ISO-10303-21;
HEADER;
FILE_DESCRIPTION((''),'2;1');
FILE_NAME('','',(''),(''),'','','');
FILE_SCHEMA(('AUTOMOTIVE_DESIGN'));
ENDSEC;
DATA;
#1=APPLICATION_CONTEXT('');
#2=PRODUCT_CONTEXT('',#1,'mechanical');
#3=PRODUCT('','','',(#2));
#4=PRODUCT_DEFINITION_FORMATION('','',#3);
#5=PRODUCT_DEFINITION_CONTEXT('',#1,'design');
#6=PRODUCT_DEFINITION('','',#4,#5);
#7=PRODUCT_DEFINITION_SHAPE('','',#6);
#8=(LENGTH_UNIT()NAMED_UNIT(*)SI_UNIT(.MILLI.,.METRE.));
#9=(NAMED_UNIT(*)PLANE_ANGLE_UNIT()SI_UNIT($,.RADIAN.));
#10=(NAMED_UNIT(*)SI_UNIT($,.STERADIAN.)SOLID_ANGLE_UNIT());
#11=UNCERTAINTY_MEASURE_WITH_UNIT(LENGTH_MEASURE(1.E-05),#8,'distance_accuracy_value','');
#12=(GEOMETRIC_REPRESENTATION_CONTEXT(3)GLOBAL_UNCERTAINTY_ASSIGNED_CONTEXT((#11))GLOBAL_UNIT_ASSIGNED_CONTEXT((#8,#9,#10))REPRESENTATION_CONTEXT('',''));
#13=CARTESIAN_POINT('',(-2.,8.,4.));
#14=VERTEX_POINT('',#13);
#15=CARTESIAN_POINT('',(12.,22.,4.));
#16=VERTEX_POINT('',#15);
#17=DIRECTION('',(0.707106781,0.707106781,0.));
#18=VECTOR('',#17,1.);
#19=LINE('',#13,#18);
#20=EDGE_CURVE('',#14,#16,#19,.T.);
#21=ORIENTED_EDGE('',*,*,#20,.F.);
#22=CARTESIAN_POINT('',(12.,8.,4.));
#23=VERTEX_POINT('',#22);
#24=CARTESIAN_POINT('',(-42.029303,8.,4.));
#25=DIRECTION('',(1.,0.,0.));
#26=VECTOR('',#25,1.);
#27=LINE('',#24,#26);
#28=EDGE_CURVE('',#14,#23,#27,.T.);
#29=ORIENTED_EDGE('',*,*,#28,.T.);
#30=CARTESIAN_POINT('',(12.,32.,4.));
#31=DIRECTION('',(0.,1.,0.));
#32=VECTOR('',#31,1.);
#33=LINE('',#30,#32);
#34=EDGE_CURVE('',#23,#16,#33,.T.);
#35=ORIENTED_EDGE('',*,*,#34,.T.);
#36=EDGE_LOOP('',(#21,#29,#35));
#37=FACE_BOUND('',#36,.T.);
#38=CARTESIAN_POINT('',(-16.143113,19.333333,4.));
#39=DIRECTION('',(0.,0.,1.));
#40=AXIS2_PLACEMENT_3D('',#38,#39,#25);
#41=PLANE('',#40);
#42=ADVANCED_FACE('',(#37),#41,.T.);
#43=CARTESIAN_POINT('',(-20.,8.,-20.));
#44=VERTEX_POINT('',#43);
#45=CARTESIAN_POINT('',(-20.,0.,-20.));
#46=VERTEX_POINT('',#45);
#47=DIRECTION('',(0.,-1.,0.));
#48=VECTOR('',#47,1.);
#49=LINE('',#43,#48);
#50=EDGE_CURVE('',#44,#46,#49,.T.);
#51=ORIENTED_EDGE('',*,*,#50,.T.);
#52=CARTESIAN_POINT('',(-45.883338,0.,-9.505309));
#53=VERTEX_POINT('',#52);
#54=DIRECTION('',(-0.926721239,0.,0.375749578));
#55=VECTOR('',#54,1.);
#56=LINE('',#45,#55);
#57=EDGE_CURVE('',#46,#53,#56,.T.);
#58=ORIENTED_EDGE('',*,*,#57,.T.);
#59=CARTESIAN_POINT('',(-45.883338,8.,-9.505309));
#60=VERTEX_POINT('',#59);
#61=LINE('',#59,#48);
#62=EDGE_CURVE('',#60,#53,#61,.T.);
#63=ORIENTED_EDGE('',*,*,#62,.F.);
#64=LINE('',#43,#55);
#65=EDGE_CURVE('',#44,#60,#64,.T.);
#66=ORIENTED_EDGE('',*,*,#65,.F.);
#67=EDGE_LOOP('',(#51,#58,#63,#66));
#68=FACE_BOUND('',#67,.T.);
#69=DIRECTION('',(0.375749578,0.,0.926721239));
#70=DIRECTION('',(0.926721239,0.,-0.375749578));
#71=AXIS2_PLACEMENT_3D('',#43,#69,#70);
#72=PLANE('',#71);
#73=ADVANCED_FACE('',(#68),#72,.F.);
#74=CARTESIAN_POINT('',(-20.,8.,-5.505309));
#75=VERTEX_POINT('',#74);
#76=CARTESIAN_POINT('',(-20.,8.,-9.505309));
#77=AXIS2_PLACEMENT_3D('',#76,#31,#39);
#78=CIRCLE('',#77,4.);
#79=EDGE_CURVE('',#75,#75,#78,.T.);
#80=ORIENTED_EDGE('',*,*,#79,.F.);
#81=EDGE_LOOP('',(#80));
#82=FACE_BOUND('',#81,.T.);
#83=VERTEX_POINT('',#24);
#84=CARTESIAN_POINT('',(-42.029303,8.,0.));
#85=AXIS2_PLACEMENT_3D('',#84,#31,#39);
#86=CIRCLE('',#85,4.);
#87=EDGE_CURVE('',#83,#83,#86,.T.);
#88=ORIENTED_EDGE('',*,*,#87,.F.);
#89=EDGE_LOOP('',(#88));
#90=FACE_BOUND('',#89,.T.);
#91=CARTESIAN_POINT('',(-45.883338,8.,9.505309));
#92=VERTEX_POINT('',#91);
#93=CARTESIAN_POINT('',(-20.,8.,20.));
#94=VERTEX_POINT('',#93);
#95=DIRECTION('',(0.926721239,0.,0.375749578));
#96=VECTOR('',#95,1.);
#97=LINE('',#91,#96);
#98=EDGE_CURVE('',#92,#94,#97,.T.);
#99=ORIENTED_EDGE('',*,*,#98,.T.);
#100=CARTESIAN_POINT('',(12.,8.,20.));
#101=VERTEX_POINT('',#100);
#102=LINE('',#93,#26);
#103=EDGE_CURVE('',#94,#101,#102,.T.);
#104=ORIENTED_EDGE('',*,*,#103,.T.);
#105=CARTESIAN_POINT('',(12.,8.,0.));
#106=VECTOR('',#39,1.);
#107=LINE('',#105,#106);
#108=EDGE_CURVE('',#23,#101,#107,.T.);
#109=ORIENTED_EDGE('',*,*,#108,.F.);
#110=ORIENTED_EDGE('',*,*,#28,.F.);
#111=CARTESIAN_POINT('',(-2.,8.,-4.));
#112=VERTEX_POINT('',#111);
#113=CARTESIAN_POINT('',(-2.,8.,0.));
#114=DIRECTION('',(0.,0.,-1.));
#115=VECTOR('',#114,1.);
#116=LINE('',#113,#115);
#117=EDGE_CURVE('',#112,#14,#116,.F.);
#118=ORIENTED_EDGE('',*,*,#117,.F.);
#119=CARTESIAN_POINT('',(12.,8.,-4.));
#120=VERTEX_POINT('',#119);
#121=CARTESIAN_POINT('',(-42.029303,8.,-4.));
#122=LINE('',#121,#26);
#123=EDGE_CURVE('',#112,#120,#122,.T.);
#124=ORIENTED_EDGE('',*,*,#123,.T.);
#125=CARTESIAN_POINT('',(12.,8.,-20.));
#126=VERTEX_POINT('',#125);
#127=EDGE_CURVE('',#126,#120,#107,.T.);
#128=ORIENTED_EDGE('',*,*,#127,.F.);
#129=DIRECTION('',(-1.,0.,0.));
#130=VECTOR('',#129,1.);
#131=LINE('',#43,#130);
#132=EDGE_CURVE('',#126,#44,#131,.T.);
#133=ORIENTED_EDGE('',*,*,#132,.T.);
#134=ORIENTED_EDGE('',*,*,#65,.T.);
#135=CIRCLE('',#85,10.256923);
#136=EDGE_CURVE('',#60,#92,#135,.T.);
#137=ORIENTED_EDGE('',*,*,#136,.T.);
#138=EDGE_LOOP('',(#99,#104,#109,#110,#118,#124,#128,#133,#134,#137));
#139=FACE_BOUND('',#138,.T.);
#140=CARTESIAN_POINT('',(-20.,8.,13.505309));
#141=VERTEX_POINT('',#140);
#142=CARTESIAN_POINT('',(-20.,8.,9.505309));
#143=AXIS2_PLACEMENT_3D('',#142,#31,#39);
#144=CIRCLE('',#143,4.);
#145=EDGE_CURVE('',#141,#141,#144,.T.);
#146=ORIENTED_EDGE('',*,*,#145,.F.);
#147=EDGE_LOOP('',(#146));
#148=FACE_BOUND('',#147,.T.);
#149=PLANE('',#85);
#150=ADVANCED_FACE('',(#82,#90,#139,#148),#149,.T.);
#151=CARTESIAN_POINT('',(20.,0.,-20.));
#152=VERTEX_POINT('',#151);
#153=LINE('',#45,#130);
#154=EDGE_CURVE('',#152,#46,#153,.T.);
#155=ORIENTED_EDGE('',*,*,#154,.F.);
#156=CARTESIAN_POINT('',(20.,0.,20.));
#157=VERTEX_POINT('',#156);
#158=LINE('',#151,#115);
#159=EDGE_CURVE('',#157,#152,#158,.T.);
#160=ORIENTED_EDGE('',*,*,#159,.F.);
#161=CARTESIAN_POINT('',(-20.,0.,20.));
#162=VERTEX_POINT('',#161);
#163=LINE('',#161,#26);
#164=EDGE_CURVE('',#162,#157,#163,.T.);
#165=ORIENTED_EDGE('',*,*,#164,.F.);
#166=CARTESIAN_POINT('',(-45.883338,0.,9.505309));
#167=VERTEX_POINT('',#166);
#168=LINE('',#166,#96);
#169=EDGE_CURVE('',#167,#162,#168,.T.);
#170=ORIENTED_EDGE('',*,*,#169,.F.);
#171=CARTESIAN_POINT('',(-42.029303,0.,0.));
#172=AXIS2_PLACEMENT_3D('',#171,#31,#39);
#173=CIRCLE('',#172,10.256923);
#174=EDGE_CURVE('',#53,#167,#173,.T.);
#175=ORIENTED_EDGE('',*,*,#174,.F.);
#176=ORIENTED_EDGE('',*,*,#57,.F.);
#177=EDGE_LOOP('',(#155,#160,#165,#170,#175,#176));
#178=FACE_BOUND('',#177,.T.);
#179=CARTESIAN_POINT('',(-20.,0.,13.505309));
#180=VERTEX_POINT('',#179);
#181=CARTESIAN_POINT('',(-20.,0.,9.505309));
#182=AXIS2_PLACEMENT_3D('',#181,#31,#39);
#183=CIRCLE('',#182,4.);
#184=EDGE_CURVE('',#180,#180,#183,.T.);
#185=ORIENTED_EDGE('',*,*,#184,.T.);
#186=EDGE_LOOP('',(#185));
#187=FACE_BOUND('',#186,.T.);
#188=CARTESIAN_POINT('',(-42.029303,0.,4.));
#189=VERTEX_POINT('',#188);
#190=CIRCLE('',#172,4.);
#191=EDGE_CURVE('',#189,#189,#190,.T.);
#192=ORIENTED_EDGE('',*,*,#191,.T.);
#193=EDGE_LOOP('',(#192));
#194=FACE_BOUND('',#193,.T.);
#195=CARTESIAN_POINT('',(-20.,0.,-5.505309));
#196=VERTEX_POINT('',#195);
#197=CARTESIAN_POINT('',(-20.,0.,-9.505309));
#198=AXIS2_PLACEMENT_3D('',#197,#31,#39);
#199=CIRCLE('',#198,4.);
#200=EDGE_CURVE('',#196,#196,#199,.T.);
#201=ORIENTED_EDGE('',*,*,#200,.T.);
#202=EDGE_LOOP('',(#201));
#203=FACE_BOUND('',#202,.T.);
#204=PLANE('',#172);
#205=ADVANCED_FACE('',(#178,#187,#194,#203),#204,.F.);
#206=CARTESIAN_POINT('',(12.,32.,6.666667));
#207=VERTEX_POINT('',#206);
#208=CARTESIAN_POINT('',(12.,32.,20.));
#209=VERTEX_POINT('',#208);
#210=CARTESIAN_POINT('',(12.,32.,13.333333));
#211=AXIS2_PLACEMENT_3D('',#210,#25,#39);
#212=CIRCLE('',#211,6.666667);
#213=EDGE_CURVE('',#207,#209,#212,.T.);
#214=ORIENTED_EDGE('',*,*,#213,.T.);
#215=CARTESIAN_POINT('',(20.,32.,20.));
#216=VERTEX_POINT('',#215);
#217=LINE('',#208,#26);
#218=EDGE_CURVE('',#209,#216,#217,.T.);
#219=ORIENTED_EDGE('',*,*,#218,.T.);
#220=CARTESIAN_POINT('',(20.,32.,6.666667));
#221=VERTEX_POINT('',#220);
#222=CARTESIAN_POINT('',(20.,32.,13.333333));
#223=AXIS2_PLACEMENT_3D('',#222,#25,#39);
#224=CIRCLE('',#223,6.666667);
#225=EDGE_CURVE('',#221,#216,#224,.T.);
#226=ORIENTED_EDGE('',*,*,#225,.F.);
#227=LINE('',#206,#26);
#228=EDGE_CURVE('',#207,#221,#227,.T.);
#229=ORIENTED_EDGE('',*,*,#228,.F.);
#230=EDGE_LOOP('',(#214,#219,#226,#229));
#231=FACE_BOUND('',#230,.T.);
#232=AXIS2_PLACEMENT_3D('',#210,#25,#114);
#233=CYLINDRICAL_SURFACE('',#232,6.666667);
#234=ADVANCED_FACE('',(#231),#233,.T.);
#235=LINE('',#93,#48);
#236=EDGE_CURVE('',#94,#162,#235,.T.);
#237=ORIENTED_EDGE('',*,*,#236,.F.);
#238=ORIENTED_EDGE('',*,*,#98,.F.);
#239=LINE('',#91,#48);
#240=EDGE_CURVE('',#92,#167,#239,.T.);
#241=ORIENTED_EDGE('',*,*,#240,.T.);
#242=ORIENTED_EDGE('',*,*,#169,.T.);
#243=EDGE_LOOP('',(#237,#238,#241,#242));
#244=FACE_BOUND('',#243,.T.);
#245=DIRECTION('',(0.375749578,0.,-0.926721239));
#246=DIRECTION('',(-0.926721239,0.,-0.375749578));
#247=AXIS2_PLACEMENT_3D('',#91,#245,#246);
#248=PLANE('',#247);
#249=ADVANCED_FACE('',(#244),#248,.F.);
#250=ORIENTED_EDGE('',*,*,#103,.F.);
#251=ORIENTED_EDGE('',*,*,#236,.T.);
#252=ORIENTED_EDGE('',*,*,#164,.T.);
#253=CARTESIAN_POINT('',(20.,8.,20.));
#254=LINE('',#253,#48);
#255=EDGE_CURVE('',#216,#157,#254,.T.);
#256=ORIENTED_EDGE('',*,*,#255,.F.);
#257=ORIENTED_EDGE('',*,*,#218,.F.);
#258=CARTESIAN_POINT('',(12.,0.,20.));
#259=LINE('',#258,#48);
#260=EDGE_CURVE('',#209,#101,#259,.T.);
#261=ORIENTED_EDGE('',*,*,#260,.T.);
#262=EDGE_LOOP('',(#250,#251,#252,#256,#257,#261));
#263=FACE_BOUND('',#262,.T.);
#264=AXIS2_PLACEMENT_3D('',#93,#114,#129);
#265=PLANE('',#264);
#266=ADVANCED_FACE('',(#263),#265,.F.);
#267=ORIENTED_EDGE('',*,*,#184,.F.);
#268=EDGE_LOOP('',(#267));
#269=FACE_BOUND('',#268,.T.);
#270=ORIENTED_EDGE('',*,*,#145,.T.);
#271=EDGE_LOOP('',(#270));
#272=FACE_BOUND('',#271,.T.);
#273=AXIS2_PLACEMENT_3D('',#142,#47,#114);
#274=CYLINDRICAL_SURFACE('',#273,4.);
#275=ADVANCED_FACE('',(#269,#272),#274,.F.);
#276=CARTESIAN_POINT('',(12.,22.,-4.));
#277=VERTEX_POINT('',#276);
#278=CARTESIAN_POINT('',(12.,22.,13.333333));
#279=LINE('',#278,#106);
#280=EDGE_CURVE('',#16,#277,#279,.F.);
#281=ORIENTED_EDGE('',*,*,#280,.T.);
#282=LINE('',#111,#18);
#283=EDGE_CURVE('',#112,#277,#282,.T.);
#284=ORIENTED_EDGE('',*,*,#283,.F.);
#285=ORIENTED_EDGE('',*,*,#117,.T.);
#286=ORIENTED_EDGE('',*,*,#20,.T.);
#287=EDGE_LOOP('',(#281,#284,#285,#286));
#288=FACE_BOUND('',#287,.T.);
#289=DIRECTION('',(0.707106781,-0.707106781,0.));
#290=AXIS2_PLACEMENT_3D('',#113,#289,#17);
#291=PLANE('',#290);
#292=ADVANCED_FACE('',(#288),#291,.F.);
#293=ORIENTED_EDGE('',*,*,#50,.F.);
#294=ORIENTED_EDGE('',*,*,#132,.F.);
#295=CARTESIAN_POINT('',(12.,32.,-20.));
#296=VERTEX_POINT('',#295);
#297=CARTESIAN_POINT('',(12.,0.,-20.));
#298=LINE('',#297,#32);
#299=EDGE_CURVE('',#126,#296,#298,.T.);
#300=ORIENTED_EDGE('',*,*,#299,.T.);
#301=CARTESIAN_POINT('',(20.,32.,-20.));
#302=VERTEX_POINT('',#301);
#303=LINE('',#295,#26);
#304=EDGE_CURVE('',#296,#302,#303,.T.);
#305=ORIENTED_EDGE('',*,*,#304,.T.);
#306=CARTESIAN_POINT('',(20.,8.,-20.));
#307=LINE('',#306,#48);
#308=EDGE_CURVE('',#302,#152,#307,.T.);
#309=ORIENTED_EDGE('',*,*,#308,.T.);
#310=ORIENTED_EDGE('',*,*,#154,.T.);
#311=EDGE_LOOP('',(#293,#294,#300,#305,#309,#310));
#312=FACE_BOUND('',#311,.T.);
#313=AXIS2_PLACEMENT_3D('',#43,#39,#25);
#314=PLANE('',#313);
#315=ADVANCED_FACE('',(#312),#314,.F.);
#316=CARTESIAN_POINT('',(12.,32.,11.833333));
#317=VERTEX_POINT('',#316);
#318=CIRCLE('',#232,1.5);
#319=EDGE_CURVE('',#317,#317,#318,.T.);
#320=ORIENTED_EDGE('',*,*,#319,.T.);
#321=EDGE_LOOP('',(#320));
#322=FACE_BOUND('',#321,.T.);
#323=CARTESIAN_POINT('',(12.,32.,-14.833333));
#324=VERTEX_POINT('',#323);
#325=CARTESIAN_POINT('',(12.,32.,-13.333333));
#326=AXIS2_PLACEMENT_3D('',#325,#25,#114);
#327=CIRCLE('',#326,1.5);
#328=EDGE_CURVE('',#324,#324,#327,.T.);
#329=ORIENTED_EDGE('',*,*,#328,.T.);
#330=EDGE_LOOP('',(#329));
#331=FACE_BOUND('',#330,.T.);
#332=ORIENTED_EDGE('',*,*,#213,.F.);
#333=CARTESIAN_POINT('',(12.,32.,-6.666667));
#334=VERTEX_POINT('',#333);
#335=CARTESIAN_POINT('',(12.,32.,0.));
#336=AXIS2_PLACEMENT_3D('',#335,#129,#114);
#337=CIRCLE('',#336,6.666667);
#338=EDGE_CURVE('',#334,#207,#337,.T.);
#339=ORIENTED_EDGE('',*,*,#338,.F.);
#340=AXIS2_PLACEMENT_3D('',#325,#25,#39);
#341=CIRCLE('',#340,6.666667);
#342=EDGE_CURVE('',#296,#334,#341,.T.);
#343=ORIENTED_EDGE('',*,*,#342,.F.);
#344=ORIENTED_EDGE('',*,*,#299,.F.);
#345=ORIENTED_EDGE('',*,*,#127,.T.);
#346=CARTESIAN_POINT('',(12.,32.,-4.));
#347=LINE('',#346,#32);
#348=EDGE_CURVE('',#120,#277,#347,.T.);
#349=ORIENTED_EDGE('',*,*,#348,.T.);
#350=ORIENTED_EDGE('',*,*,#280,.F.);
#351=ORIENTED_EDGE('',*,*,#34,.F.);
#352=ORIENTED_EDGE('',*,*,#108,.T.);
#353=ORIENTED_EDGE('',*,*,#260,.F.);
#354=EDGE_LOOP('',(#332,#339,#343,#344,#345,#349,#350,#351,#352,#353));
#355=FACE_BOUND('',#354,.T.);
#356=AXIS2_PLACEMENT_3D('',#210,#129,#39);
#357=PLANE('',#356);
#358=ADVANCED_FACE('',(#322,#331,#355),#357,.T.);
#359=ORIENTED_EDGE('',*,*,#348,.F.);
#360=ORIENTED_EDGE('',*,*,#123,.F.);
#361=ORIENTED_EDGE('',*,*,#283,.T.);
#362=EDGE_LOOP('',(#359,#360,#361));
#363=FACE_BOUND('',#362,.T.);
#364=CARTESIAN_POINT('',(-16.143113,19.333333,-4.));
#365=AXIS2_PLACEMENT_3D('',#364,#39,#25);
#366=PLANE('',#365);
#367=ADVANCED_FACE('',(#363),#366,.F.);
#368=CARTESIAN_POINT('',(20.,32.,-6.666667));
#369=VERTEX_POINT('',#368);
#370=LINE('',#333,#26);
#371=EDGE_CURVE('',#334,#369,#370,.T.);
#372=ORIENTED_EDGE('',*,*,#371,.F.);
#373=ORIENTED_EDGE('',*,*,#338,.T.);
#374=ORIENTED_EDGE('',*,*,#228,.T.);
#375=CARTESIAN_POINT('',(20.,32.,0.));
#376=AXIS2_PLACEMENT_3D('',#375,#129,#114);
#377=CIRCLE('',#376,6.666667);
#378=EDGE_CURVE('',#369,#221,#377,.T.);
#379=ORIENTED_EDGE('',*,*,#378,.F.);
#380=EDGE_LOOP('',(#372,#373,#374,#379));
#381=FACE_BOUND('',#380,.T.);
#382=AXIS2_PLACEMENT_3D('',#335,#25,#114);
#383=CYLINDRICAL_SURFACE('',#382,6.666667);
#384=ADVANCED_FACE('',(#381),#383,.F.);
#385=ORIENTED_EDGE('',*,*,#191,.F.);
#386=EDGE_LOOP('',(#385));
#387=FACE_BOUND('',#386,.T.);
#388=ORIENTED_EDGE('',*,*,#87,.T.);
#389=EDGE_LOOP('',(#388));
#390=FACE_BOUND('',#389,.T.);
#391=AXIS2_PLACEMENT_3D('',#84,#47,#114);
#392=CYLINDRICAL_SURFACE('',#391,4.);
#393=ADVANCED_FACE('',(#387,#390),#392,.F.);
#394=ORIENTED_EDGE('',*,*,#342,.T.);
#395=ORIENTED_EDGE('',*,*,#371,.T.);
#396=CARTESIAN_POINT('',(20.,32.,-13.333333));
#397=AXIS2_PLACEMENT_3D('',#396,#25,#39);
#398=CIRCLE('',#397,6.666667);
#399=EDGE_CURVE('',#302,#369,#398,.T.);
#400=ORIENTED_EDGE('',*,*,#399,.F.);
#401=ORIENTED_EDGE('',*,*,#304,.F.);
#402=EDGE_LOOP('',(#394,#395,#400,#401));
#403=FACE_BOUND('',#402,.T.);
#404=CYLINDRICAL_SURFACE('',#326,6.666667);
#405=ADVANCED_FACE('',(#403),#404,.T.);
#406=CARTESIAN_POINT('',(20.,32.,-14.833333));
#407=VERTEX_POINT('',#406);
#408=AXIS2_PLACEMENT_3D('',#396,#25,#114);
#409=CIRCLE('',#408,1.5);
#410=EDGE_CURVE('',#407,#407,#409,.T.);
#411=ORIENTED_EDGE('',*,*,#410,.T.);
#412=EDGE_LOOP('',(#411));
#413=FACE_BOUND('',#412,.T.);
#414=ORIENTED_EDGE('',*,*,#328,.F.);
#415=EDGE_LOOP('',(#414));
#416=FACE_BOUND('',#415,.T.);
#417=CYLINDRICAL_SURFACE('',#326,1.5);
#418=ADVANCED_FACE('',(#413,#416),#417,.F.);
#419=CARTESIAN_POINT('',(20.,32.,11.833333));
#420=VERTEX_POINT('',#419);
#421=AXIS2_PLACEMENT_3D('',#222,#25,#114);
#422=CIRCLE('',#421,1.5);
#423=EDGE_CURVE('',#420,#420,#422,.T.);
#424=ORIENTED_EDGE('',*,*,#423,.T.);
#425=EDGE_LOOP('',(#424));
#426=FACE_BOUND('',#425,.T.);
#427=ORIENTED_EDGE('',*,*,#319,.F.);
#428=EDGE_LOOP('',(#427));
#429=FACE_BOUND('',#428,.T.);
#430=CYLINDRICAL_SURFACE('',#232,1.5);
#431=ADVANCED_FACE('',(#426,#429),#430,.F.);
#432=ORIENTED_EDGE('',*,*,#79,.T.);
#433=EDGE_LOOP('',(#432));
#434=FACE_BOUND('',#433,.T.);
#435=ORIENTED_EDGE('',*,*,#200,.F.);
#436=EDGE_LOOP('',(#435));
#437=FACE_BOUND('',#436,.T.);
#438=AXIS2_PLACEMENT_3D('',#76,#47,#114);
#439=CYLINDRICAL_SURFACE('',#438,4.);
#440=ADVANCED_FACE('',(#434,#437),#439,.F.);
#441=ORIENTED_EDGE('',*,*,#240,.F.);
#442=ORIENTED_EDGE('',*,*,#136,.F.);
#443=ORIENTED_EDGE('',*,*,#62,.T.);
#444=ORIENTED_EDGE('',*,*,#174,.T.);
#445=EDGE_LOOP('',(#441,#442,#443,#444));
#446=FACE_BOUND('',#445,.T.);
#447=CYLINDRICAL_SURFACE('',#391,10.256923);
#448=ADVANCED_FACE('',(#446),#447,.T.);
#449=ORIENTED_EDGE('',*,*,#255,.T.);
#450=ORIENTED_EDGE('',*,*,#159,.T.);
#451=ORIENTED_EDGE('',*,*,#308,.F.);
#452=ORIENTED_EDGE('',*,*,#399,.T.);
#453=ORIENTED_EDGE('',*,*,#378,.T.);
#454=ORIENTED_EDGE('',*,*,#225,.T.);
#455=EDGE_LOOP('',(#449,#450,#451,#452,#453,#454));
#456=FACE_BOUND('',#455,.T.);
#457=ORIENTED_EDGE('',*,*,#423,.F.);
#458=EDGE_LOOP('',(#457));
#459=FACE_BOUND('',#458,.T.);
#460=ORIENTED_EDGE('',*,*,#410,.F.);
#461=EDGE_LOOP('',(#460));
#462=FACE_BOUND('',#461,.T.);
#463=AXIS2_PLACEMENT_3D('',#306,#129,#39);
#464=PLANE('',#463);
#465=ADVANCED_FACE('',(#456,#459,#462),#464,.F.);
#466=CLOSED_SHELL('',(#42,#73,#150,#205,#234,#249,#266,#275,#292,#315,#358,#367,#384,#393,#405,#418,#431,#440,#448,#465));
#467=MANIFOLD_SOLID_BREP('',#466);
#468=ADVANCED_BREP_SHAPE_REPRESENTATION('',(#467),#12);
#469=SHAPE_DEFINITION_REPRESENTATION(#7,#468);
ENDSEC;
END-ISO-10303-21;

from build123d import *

# Parameters (mm, degrees)
SKETCH_2_R      = 4
EXTRUDE_1_DEPTH = 8
SKETCH_3_R      = 1.5
EXTRUDE_4_DEPTH = 8
RIB_1_REACH     = 70.036
SKETCH_9_WALL_W = 157.87192052
SKETCH_9_WALL_H = 8


with BuildPart() as part:
    # 草图2 → 凸台-拉伸1 (new body)
    with BuildSketch(Plane(origin=(0, 0, 0), x_dir=(1, 0, 0), z_dir=(0, 1, 0))):
        with BuildLine():
            Line((-20, 20), (-45.883337968, 9.505308716))
            ThreePointArc((-45.883337968, 9.505308716), (-52.286226701, 0), (-45.883337968, -9.505308716))
            Line((-45.883337968, -9.505308716), (-20, -20))
            Line((-20, -20), (20, -20))
            Line((20, -20), (20, 20))
            Line((20, 20), (-20, 20))
        make_face()
        with Locations(Location((-42.029303351, 0, 0), (0, 0, 270))):
            Circle(SKETCH_2_R, mode=Mode.SUBTRACT)
        with Locations(Location((-20, 9.505308716, 0), (0, 0, 270))):
            Circle(SKETCH_2_R, mode=Mode.SUBTRACT)
        with Locations(Location((-20, -9.505308716, 0), (0, 0, 270))):
            Circle(SKETCH_2_R, mode=Mode.SUBTRACT)
    extrude(amount=EXTRUDE_1_DEPTH)

    # 草图3 → 凸台-拉伸4 (add)
    with BuildSketch(Plane(origin=(20, 0, 0), x_dir=(0, 0, -1), z_dir=(1, 0, 0))):
        with BuildLine():
            Line((-20, 0), (20, 0))
            Line((20, 0), (20, 32))
            ThreePointArc((20, 32), (13.333333333, 38.666666667), (6.666666667, 32))
            ThreePointArc((6.666666667, 32), (0, 25.333333333), (-6.666666667, 32))
            ThreePointArc((-6.666666667, 32), (-13.333333333, 38.666666667), (-20, 32))
            Line((-20, 32), (-20, 0))
        make_face()
        with Locations((-13.333333333, 32)):
            Circle(SKETCH_3_R, mode=Mode.SUBTRACT)
        with Locations((13.333333333, 32)):
            Circle(SKETCH_3_R, mode=Mode.SUBTRACT)
    extrude(amount=-EXTRUDE_4_DEPTH)

    # 草图9 wall → 筋1 (add, up to next)
    with BuildSketch(Plane(origin=(5, 15, 0), x_dir=(0.707106781187, 0.707106781187, 0), z_dir=(-0.707106781187, 0.707106781187, 0)), mode=Mode.PRIVATE) as rib_1_sk1:
        Rectangle(SKETCH_9_WALL_W, SKETCH_9_WALL_H)
    rib_1_tool1 = extrude(rib_1_sk1.sketch, amount=-RIB_1_REACH, mode=Mode.PRIVATE) - part.part
    add(rib_1_tool1.solids().sort_by_distance((5, 15, 0))[0])


solid = part.part
